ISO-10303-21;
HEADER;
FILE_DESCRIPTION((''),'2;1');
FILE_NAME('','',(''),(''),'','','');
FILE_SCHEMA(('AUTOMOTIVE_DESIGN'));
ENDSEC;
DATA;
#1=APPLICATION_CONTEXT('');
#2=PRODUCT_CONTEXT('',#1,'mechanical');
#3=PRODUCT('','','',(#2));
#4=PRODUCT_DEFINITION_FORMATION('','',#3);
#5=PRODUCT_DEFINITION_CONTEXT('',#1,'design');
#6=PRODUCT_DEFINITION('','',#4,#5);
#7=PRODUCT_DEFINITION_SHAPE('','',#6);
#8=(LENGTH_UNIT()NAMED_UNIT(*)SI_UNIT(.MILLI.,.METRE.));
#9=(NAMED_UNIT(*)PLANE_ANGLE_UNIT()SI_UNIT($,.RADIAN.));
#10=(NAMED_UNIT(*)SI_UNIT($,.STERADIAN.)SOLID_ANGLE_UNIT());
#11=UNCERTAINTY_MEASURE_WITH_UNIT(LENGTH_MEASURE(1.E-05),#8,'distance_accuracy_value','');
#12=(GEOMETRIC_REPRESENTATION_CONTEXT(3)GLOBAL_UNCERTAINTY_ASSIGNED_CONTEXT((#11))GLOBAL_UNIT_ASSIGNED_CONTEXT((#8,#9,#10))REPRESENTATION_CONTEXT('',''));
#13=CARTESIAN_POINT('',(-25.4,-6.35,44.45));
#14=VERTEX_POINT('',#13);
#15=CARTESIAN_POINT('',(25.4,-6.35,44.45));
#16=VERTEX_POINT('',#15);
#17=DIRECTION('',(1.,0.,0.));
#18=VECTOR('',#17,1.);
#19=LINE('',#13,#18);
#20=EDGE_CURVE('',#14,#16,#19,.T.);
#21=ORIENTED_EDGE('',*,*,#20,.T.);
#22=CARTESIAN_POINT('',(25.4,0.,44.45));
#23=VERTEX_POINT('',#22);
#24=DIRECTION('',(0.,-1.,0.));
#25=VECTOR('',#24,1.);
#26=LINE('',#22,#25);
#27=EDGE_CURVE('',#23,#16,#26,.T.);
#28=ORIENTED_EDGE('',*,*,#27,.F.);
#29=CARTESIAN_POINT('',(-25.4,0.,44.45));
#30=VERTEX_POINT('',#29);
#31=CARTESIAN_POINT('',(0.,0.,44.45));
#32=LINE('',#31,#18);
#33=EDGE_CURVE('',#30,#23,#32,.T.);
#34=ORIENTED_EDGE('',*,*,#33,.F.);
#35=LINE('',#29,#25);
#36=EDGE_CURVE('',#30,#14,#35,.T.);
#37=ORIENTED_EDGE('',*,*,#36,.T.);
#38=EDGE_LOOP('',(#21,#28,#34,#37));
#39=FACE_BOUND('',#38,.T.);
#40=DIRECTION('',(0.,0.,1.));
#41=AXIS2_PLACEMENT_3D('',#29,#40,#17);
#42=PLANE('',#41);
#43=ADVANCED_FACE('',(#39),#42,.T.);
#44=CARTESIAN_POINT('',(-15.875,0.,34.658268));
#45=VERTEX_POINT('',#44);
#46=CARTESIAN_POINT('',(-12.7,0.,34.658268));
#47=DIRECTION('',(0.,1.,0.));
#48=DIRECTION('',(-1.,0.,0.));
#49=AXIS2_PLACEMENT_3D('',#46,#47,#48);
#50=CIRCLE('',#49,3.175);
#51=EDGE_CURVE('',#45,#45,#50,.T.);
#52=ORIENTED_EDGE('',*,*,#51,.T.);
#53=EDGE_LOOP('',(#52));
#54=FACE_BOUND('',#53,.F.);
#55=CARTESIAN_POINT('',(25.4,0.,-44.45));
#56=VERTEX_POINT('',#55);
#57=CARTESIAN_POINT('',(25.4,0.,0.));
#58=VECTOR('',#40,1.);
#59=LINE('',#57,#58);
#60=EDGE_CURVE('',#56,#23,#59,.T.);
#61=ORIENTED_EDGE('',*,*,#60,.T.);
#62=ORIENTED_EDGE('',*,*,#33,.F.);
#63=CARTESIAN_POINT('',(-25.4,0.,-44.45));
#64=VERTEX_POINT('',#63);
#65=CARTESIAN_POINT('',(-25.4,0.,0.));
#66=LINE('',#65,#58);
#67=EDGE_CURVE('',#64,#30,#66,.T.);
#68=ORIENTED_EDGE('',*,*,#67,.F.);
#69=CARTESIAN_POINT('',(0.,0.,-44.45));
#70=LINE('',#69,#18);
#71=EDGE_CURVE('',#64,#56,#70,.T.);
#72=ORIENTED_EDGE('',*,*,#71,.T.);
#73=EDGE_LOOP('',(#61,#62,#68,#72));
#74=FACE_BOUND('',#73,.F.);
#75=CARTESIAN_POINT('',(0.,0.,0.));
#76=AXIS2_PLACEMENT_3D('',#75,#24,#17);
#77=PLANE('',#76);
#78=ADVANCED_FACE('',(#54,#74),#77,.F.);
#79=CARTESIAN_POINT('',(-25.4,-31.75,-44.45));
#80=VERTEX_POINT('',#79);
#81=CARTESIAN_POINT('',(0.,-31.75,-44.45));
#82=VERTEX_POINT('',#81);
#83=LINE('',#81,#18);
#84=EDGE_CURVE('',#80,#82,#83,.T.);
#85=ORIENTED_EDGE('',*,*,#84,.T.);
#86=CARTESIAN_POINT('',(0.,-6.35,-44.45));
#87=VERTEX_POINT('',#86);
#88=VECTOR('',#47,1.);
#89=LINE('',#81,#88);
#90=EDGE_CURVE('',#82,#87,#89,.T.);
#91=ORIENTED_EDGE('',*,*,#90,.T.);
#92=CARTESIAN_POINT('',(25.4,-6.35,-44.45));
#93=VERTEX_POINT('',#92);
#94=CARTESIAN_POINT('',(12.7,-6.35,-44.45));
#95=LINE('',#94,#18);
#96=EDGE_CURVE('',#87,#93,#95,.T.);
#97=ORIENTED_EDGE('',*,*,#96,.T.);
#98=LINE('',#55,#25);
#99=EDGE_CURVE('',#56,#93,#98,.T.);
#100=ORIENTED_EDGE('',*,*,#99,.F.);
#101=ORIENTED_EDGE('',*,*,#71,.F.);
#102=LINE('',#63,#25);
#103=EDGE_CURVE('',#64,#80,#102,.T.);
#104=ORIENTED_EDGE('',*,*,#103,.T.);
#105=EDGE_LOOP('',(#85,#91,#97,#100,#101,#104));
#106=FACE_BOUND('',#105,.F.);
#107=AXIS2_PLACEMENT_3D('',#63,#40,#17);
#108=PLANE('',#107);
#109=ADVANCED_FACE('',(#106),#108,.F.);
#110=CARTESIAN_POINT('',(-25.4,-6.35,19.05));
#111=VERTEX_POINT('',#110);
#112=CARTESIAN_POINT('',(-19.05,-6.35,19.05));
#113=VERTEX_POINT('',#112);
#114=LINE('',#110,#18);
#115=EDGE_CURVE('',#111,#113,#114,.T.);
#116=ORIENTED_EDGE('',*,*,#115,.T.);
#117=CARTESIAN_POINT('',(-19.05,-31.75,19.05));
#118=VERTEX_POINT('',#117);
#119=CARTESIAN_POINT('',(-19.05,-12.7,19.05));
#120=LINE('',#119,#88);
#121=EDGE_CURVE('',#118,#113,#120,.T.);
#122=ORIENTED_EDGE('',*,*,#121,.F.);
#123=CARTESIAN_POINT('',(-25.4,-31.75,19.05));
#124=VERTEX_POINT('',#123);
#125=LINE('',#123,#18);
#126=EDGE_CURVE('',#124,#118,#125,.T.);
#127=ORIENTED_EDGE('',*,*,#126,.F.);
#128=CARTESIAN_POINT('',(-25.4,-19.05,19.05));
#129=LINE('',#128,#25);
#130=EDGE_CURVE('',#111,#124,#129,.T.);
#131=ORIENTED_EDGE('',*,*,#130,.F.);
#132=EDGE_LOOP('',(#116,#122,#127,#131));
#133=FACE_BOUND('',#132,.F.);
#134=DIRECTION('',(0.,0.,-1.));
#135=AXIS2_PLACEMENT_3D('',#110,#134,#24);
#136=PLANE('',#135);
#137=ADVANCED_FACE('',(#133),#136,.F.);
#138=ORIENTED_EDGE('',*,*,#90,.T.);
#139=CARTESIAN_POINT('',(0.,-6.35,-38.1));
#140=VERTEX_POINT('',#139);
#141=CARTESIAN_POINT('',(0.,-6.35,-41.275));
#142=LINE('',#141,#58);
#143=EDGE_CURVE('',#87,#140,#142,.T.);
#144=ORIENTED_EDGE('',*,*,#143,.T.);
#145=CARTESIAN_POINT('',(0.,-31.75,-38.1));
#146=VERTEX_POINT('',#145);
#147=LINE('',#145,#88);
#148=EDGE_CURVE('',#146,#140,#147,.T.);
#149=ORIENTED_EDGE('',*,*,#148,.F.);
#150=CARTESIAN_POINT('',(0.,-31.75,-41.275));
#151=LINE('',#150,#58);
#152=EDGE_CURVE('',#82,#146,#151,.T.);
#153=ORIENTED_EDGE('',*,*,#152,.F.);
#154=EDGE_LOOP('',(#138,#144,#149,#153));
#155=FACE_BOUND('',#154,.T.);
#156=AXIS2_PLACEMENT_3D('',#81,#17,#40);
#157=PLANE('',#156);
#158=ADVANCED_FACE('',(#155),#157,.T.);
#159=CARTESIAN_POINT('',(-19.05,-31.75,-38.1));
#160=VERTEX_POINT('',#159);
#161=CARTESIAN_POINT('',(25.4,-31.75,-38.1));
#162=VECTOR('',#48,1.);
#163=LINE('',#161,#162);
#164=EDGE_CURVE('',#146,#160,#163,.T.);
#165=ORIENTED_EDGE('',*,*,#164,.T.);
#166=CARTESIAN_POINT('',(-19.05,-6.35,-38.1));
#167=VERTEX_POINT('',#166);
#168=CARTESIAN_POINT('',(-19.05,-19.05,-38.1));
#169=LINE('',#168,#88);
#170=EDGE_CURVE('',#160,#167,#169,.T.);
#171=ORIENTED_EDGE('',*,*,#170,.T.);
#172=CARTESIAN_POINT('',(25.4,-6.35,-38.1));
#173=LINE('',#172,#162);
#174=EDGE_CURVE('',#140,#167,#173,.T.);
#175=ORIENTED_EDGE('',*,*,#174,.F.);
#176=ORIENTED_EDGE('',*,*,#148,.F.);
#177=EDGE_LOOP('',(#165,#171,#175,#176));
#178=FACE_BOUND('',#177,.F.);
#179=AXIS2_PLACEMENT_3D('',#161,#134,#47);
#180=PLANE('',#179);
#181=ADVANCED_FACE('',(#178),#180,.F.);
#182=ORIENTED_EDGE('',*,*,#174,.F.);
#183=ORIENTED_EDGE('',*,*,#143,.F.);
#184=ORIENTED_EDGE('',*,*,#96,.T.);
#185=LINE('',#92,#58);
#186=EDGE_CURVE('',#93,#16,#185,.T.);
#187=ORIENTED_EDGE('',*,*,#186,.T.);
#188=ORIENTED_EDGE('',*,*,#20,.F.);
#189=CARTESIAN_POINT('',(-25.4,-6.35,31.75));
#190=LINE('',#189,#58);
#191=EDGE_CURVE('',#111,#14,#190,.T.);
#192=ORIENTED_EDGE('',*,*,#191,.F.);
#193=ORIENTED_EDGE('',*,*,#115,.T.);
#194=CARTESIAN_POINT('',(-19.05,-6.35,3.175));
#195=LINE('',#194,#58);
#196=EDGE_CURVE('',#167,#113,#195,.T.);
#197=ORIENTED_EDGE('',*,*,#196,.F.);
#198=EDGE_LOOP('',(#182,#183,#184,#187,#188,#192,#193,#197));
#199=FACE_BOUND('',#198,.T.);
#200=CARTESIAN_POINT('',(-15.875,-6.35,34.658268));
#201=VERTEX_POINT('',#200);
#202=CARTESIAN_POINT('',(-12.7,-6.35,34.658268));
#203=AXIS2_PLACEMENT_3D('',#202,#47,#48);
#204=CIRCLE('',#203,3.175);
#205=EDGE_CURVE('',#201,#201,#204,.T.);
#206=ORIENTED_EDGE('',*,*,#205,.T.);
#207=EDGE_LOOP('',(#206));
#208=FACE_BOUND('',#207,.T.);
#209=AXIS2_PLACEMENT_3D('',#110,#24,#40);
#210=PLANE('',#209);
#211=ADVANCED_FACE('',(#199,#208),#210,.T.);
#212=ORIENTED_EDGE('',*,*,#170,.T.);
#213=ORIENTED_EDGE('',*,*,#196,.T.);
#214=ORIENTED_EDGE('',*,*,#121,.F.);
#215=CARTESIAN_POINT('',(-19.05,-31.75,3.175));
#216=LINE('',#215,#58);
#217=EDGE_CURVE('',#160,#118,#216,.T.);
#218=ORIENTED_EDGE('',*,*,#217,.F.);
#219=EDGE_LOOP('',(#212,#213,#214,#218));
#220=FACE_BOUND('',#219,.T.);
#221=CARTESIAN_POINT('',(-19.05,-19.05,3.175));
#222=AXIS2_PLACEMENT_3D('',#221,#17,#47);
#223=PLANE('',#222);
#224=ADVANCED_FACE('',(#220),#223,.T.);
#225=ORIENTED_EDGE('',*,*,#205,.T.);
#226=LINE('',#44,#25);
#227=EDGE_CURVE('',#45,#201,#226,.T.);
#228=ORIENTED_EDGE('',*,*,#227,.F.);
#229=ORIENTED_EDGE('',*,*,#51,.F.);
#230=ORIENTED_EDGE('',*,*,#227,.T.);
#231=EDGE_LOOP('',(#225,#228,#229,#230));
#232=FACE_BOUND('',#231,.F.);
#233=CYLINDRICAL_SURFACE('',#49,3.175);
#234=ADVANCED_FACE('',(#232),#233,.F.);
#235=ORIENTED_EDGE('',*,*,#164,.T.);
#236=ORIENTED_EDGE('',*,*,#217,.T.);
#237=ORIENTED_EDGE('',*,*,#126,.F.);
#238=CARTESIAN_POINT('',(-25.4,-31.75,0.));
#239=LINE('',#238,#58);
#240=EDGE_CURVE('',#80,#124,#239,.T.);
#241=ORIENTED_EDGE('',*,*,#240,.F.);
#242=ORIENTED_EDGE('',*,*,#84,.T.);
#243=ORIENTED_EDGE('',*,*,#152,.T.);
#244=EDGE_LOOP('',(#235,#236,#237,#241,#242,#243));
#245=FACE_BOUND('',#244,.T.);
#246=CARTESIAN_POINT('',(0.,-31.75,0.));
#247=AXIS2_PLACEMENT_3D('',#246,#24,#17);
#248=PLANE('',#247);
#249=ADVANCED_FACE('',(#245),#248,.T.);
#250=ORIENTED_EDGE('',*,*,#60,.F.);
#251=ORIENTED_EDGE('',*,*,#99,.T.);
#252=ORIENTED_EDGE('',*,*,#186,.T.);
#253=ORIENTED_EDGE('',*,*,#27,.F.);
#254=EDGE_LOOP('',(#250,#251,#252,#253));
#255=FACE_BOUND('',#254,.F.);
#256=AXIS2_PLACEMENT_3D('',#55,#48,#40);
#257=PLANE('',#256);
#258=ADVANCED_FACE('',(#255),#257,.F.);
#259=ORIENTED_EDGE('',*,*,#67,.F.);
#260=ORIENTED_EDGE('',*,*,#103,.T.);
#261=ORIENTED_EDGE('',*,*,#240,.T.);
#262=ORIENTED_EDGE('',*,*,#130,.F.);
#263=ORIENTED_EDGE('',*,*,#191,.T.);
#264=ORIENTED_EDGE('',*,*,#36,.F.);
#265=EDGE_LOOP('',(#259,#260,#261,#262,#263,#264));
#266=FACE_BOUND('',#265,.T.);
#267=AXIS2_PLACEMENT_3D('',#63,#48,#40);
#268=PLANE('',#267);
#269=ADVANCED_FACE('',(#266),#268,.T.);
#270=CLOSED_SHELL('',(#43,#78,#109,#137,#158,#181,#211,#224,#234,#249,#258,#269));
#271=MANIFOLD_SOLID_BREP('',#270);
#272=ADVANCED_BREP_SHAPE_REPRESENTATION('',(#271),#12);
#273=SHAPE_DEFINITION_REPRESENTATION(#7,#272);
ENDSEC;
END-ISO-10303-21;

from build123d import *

# Parameters (mm, degrees)
F0_W     = 50.8
F0_H     = 88.9
F1_DEPTH = 31.75
F2_W     = 25.4
F2_H     = 82.55
F3_DEPTH = 44.45
F4_W     = 25.4
F4_H     = 25.4
F5_DEPTH = 25.4
F6_W     = 25.4
F6_H     = 6.35
F7_DEPTH = 25.4
F8_R     = 3.175
F9_DEPTH = 25.4


with BuildPart() as f1:
    # F0 (on Front) → F1 (new body)
    with BuildSketch(Plane.XZ):
        Rectangle(F0_W, F0_H)
    extrude(amount=F1_DEPTH)

    # F2 (on face) → F3 (cut)
    with BuildSketch(Plane.YZ.offset(25.4)):
        with Locations((-19.05, 3.175)):
            Rectangle(F2_W, F2_H)
    extrude(amount=-F3_DEPTH, mode=Mode.SUBTRACT)

    # F4 (on face) → F5 (cut)
    with BuildSketch(Plane(origin=(-25.4, 0, 0), x_dir=(0, -1, 0), z_dir=(-1, 0, 0))):
        with Locations((19.05, 31.75)):
            Rectangle(F4_W, F4_H)
    extrude(amount=-F5_DEPTH, mode=Mode.SUBTRACT)

    # F6 (on face) → F7 (cut)
    with BuildSketch(Plane.XZ.offset(31.75)):
        with Locations((12.7, -41.275)):
            Rectangle(F6_W, F6_H)
    extrude(amount=-F7_DEPTH, mode=Mode.SUBTRACT)

    # F8 (on face) → F9 (cut)
    with BuildSketch(Plane(origin=(0, 0, 0), x_dir=(-1, 0, 0), z_dir=(0, 1, 0))):
        with Locations((12.7, 34.658268)):
            Circle(F8_R)
    extrude(amount=-F9_DEPTH, mode=Mode.SUBTRACT)


solid = f1.part
